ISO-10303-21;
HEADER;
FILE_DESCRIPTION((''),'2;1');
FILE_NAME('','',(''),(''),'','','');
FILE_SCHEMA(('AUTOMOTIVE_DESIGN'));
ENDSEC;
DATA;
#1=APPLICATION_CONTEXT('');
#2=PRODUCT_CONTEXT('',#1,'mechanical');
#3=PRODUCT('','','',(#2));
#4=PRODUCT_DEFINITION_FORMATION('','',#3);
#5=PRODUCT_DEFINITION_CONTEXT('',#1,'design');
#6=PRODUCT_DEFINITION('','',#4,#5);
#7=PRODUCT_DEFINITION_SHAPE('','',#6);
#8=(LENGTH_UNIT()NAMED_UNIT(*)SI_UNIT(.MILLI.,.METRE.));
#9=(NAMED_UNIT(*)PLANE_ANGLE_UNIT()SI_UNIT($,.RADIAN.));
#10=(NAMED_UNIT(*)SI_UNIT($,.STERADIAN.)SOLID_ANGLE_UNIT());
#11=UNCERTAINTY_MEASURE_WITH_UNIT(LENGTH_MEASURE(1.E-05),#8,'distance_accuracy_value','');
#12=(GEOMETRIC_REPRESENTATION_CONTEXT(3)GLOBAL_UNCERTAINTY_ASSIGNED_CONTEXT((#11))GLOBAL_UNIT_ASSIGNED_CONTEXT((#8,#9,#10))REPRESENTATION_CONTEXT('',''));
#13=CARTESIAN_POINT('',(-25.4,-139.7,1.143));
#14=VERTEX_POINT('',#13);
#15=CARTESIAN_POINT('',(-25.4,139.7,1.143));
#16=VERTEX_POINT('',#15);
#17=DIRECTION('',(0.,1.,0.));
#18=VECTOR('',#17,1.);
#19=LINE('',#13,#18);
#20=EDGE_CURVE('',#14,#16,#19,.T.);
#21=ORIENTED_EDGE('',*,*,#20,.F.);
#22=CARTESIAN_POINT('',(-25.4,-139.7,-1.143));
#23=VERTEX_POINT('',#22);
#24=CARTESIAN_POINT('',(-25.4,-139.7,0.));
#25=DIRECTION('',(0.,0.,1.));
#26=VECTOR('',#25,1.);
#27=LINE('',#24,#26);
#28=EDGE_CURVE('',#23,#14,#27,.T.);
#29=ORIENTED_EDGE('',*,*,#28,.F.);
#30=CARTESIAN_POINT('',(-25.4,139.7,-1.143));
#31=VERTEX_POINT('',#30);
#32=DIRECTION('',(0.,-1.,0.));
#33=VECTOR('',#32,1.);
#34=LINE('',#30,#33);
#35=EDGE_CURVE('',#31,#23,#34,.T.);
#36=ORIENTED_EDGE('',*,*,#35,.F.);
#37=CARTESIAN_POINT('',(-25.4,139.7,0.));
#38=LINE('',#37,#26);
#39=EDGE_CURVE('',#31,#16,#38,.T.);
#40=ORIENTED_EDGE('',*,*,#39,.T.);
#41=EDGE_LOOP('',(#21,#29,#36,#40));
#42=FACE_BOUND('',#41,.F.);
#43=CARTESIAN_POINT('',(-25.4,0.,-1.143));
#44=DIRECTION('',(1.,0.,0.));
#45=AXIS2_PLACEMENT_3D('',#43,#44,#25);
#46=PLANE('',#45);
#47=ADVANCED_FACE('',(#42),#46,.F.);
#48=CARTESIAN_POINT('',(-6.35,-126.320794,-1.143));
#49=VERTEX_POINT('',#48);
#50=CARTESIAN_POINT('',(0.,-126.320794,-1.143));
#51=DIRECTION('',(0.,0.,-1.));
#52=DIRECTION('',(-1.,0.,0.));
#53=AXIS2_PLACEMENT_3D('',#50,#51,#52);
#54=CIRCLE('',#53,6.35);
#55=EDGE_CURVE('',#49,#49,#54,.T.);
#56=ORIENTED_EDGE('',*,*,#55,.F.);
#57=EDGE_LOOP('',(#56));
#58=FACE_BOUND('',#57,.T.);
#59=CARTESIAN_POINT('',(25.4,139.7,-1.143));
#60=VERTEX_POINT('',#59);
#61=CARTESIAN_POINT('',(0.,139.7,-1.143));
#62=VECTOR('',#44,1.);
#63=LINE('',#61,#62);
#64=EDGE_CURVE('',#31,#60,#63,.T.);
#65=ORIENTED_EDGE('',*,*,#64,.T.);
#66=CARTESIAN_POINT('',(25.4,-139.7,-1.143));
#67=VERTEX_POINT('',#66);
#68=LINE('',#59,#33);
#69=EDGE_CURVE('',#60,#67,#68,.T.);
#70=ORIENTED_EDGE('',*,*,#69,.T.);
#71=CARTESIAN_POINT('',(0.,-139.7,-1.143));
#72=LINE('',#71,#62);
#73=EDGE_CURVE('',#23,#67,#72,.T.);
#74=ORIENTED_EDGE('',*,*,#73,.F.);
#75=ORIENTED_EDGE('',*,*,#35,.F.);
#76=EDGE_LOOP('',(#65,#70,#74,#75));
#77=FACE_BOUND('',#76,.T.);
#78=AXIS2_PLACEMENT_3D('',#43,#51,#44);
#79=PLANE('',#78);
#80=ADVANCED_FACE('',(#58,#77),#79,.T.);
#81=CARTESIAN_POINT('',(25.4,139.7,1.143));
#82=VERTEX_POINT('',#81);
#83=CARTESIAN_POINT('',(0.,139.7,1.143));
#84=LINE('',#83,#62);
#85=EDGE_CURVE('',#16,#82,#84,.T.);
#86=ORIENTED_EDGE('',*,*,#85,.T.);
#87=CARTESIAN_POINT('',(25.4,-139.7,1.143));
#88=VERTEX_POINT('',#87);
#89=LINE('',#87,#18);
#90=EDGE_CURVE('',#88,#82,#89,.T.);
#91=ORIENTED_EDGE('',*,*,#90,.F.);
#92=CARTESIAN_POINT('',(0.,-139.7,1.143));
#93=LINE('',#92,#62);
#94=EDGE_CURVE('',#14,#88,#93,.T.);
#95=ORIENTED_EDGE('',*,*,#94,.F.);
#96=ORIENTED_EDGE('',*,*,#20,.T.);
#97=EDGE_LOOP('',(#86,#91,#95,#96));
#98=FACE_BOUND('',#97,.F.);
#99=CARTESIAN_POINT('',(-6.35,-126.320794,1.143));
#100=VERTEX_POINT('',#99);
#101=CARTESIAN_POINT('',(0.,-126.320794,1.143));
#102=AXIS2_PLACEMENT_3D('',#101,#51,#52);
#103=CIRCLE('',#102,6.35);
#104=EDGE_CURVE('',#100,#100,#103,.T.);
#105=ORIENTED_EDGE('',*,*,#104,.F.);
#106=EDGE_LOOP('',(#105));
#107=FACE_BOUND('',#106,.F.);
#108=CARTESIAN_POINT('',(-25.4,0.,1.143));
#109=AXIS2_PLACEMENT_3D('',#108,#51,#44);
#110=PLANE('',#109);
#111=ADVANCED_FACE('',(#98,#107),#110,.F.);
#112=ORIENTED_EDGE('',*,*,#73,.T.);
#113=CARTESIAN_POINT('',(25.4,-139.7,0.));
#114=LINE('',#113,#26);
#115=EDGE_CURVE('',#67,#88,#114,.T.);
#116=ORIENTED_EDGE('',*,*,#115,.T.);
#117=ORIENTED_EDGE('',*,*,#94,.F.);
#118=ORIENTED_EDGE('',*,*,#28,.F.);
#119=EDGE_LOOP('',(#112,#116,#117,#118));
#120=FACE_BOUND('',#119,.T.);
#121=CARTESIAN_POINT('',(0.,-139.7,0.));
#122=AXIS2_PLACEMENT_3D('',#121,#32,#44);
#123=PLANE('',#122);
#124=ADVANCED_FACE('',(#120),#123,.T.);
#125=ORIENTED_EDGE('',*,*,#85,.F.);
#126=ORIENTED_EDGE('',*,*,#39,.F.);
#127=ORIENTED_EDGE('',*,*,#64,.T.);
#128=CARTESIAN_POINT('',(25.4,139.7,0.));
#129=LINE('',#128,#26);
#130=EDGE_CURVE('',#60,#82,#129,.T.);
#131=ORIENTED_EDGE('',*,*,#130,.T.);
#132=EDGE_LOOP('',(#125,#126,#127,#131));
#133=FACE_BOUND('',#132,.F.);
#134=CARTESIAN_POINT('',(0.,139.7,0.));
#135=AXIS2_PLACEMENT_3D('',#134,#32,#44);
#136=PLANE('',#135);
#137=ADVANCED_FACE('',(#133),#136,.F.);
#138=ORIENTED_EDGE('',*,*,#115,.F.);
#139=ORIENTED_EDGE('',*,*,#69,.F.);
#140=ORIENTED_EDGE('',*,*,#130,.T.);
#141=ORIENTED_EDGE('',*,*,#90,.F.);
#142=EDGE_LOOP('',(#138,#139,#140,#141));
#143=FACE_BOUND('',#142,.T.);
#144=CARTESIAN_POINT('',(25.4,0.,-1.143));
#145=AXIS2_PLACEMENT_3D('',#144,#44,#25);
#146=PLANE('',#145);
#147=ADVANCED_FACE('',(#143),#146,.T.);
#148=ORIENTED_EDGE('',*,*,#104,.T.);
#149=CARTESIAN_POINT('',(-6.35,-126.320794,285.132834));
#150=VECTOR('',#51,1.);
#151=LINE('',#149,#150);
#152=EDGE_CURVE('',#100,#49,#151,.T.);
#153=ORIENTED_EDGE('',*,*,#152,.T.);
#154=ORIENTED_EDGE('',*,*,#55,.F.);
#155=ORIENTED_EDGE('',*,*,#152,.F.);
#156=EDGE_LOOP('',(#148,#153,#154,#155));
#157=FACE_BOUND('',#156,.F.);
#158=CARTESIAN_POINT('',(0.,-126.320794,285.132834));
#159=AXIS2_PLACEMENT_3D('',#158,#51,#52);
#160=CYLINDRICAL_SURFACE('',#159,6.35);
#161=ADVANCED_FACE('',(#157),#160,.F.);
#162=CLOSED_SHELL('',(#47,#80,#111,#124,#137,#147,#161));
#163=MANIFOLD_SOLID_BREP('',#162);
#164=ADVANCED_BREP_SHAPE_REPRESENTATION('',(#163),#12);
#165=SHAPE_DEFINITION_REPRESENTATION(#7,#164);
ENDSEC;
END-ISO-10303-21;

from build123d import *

# Parameters (mm, degrees)
F0_W     = 50.8
F0_H     = 2.286
F1_DEPTH = 139.7
F3_D     = 12.7


with BuildPart() as f1:
    # F0 (on Front) → F1 (new body, symmetric)
    with BuildSketch(Plane.XZ):
        Rectangle(F0_W, F0_H)
    extrude(amount=F1_DEPTH, both=True)

    # F3 (through all)
    with Locations(Plane.XY.offset(1.143)):
        with Locations((0, -126.320794)):
            Hole(F3_D / 2)


solid = f1.part
